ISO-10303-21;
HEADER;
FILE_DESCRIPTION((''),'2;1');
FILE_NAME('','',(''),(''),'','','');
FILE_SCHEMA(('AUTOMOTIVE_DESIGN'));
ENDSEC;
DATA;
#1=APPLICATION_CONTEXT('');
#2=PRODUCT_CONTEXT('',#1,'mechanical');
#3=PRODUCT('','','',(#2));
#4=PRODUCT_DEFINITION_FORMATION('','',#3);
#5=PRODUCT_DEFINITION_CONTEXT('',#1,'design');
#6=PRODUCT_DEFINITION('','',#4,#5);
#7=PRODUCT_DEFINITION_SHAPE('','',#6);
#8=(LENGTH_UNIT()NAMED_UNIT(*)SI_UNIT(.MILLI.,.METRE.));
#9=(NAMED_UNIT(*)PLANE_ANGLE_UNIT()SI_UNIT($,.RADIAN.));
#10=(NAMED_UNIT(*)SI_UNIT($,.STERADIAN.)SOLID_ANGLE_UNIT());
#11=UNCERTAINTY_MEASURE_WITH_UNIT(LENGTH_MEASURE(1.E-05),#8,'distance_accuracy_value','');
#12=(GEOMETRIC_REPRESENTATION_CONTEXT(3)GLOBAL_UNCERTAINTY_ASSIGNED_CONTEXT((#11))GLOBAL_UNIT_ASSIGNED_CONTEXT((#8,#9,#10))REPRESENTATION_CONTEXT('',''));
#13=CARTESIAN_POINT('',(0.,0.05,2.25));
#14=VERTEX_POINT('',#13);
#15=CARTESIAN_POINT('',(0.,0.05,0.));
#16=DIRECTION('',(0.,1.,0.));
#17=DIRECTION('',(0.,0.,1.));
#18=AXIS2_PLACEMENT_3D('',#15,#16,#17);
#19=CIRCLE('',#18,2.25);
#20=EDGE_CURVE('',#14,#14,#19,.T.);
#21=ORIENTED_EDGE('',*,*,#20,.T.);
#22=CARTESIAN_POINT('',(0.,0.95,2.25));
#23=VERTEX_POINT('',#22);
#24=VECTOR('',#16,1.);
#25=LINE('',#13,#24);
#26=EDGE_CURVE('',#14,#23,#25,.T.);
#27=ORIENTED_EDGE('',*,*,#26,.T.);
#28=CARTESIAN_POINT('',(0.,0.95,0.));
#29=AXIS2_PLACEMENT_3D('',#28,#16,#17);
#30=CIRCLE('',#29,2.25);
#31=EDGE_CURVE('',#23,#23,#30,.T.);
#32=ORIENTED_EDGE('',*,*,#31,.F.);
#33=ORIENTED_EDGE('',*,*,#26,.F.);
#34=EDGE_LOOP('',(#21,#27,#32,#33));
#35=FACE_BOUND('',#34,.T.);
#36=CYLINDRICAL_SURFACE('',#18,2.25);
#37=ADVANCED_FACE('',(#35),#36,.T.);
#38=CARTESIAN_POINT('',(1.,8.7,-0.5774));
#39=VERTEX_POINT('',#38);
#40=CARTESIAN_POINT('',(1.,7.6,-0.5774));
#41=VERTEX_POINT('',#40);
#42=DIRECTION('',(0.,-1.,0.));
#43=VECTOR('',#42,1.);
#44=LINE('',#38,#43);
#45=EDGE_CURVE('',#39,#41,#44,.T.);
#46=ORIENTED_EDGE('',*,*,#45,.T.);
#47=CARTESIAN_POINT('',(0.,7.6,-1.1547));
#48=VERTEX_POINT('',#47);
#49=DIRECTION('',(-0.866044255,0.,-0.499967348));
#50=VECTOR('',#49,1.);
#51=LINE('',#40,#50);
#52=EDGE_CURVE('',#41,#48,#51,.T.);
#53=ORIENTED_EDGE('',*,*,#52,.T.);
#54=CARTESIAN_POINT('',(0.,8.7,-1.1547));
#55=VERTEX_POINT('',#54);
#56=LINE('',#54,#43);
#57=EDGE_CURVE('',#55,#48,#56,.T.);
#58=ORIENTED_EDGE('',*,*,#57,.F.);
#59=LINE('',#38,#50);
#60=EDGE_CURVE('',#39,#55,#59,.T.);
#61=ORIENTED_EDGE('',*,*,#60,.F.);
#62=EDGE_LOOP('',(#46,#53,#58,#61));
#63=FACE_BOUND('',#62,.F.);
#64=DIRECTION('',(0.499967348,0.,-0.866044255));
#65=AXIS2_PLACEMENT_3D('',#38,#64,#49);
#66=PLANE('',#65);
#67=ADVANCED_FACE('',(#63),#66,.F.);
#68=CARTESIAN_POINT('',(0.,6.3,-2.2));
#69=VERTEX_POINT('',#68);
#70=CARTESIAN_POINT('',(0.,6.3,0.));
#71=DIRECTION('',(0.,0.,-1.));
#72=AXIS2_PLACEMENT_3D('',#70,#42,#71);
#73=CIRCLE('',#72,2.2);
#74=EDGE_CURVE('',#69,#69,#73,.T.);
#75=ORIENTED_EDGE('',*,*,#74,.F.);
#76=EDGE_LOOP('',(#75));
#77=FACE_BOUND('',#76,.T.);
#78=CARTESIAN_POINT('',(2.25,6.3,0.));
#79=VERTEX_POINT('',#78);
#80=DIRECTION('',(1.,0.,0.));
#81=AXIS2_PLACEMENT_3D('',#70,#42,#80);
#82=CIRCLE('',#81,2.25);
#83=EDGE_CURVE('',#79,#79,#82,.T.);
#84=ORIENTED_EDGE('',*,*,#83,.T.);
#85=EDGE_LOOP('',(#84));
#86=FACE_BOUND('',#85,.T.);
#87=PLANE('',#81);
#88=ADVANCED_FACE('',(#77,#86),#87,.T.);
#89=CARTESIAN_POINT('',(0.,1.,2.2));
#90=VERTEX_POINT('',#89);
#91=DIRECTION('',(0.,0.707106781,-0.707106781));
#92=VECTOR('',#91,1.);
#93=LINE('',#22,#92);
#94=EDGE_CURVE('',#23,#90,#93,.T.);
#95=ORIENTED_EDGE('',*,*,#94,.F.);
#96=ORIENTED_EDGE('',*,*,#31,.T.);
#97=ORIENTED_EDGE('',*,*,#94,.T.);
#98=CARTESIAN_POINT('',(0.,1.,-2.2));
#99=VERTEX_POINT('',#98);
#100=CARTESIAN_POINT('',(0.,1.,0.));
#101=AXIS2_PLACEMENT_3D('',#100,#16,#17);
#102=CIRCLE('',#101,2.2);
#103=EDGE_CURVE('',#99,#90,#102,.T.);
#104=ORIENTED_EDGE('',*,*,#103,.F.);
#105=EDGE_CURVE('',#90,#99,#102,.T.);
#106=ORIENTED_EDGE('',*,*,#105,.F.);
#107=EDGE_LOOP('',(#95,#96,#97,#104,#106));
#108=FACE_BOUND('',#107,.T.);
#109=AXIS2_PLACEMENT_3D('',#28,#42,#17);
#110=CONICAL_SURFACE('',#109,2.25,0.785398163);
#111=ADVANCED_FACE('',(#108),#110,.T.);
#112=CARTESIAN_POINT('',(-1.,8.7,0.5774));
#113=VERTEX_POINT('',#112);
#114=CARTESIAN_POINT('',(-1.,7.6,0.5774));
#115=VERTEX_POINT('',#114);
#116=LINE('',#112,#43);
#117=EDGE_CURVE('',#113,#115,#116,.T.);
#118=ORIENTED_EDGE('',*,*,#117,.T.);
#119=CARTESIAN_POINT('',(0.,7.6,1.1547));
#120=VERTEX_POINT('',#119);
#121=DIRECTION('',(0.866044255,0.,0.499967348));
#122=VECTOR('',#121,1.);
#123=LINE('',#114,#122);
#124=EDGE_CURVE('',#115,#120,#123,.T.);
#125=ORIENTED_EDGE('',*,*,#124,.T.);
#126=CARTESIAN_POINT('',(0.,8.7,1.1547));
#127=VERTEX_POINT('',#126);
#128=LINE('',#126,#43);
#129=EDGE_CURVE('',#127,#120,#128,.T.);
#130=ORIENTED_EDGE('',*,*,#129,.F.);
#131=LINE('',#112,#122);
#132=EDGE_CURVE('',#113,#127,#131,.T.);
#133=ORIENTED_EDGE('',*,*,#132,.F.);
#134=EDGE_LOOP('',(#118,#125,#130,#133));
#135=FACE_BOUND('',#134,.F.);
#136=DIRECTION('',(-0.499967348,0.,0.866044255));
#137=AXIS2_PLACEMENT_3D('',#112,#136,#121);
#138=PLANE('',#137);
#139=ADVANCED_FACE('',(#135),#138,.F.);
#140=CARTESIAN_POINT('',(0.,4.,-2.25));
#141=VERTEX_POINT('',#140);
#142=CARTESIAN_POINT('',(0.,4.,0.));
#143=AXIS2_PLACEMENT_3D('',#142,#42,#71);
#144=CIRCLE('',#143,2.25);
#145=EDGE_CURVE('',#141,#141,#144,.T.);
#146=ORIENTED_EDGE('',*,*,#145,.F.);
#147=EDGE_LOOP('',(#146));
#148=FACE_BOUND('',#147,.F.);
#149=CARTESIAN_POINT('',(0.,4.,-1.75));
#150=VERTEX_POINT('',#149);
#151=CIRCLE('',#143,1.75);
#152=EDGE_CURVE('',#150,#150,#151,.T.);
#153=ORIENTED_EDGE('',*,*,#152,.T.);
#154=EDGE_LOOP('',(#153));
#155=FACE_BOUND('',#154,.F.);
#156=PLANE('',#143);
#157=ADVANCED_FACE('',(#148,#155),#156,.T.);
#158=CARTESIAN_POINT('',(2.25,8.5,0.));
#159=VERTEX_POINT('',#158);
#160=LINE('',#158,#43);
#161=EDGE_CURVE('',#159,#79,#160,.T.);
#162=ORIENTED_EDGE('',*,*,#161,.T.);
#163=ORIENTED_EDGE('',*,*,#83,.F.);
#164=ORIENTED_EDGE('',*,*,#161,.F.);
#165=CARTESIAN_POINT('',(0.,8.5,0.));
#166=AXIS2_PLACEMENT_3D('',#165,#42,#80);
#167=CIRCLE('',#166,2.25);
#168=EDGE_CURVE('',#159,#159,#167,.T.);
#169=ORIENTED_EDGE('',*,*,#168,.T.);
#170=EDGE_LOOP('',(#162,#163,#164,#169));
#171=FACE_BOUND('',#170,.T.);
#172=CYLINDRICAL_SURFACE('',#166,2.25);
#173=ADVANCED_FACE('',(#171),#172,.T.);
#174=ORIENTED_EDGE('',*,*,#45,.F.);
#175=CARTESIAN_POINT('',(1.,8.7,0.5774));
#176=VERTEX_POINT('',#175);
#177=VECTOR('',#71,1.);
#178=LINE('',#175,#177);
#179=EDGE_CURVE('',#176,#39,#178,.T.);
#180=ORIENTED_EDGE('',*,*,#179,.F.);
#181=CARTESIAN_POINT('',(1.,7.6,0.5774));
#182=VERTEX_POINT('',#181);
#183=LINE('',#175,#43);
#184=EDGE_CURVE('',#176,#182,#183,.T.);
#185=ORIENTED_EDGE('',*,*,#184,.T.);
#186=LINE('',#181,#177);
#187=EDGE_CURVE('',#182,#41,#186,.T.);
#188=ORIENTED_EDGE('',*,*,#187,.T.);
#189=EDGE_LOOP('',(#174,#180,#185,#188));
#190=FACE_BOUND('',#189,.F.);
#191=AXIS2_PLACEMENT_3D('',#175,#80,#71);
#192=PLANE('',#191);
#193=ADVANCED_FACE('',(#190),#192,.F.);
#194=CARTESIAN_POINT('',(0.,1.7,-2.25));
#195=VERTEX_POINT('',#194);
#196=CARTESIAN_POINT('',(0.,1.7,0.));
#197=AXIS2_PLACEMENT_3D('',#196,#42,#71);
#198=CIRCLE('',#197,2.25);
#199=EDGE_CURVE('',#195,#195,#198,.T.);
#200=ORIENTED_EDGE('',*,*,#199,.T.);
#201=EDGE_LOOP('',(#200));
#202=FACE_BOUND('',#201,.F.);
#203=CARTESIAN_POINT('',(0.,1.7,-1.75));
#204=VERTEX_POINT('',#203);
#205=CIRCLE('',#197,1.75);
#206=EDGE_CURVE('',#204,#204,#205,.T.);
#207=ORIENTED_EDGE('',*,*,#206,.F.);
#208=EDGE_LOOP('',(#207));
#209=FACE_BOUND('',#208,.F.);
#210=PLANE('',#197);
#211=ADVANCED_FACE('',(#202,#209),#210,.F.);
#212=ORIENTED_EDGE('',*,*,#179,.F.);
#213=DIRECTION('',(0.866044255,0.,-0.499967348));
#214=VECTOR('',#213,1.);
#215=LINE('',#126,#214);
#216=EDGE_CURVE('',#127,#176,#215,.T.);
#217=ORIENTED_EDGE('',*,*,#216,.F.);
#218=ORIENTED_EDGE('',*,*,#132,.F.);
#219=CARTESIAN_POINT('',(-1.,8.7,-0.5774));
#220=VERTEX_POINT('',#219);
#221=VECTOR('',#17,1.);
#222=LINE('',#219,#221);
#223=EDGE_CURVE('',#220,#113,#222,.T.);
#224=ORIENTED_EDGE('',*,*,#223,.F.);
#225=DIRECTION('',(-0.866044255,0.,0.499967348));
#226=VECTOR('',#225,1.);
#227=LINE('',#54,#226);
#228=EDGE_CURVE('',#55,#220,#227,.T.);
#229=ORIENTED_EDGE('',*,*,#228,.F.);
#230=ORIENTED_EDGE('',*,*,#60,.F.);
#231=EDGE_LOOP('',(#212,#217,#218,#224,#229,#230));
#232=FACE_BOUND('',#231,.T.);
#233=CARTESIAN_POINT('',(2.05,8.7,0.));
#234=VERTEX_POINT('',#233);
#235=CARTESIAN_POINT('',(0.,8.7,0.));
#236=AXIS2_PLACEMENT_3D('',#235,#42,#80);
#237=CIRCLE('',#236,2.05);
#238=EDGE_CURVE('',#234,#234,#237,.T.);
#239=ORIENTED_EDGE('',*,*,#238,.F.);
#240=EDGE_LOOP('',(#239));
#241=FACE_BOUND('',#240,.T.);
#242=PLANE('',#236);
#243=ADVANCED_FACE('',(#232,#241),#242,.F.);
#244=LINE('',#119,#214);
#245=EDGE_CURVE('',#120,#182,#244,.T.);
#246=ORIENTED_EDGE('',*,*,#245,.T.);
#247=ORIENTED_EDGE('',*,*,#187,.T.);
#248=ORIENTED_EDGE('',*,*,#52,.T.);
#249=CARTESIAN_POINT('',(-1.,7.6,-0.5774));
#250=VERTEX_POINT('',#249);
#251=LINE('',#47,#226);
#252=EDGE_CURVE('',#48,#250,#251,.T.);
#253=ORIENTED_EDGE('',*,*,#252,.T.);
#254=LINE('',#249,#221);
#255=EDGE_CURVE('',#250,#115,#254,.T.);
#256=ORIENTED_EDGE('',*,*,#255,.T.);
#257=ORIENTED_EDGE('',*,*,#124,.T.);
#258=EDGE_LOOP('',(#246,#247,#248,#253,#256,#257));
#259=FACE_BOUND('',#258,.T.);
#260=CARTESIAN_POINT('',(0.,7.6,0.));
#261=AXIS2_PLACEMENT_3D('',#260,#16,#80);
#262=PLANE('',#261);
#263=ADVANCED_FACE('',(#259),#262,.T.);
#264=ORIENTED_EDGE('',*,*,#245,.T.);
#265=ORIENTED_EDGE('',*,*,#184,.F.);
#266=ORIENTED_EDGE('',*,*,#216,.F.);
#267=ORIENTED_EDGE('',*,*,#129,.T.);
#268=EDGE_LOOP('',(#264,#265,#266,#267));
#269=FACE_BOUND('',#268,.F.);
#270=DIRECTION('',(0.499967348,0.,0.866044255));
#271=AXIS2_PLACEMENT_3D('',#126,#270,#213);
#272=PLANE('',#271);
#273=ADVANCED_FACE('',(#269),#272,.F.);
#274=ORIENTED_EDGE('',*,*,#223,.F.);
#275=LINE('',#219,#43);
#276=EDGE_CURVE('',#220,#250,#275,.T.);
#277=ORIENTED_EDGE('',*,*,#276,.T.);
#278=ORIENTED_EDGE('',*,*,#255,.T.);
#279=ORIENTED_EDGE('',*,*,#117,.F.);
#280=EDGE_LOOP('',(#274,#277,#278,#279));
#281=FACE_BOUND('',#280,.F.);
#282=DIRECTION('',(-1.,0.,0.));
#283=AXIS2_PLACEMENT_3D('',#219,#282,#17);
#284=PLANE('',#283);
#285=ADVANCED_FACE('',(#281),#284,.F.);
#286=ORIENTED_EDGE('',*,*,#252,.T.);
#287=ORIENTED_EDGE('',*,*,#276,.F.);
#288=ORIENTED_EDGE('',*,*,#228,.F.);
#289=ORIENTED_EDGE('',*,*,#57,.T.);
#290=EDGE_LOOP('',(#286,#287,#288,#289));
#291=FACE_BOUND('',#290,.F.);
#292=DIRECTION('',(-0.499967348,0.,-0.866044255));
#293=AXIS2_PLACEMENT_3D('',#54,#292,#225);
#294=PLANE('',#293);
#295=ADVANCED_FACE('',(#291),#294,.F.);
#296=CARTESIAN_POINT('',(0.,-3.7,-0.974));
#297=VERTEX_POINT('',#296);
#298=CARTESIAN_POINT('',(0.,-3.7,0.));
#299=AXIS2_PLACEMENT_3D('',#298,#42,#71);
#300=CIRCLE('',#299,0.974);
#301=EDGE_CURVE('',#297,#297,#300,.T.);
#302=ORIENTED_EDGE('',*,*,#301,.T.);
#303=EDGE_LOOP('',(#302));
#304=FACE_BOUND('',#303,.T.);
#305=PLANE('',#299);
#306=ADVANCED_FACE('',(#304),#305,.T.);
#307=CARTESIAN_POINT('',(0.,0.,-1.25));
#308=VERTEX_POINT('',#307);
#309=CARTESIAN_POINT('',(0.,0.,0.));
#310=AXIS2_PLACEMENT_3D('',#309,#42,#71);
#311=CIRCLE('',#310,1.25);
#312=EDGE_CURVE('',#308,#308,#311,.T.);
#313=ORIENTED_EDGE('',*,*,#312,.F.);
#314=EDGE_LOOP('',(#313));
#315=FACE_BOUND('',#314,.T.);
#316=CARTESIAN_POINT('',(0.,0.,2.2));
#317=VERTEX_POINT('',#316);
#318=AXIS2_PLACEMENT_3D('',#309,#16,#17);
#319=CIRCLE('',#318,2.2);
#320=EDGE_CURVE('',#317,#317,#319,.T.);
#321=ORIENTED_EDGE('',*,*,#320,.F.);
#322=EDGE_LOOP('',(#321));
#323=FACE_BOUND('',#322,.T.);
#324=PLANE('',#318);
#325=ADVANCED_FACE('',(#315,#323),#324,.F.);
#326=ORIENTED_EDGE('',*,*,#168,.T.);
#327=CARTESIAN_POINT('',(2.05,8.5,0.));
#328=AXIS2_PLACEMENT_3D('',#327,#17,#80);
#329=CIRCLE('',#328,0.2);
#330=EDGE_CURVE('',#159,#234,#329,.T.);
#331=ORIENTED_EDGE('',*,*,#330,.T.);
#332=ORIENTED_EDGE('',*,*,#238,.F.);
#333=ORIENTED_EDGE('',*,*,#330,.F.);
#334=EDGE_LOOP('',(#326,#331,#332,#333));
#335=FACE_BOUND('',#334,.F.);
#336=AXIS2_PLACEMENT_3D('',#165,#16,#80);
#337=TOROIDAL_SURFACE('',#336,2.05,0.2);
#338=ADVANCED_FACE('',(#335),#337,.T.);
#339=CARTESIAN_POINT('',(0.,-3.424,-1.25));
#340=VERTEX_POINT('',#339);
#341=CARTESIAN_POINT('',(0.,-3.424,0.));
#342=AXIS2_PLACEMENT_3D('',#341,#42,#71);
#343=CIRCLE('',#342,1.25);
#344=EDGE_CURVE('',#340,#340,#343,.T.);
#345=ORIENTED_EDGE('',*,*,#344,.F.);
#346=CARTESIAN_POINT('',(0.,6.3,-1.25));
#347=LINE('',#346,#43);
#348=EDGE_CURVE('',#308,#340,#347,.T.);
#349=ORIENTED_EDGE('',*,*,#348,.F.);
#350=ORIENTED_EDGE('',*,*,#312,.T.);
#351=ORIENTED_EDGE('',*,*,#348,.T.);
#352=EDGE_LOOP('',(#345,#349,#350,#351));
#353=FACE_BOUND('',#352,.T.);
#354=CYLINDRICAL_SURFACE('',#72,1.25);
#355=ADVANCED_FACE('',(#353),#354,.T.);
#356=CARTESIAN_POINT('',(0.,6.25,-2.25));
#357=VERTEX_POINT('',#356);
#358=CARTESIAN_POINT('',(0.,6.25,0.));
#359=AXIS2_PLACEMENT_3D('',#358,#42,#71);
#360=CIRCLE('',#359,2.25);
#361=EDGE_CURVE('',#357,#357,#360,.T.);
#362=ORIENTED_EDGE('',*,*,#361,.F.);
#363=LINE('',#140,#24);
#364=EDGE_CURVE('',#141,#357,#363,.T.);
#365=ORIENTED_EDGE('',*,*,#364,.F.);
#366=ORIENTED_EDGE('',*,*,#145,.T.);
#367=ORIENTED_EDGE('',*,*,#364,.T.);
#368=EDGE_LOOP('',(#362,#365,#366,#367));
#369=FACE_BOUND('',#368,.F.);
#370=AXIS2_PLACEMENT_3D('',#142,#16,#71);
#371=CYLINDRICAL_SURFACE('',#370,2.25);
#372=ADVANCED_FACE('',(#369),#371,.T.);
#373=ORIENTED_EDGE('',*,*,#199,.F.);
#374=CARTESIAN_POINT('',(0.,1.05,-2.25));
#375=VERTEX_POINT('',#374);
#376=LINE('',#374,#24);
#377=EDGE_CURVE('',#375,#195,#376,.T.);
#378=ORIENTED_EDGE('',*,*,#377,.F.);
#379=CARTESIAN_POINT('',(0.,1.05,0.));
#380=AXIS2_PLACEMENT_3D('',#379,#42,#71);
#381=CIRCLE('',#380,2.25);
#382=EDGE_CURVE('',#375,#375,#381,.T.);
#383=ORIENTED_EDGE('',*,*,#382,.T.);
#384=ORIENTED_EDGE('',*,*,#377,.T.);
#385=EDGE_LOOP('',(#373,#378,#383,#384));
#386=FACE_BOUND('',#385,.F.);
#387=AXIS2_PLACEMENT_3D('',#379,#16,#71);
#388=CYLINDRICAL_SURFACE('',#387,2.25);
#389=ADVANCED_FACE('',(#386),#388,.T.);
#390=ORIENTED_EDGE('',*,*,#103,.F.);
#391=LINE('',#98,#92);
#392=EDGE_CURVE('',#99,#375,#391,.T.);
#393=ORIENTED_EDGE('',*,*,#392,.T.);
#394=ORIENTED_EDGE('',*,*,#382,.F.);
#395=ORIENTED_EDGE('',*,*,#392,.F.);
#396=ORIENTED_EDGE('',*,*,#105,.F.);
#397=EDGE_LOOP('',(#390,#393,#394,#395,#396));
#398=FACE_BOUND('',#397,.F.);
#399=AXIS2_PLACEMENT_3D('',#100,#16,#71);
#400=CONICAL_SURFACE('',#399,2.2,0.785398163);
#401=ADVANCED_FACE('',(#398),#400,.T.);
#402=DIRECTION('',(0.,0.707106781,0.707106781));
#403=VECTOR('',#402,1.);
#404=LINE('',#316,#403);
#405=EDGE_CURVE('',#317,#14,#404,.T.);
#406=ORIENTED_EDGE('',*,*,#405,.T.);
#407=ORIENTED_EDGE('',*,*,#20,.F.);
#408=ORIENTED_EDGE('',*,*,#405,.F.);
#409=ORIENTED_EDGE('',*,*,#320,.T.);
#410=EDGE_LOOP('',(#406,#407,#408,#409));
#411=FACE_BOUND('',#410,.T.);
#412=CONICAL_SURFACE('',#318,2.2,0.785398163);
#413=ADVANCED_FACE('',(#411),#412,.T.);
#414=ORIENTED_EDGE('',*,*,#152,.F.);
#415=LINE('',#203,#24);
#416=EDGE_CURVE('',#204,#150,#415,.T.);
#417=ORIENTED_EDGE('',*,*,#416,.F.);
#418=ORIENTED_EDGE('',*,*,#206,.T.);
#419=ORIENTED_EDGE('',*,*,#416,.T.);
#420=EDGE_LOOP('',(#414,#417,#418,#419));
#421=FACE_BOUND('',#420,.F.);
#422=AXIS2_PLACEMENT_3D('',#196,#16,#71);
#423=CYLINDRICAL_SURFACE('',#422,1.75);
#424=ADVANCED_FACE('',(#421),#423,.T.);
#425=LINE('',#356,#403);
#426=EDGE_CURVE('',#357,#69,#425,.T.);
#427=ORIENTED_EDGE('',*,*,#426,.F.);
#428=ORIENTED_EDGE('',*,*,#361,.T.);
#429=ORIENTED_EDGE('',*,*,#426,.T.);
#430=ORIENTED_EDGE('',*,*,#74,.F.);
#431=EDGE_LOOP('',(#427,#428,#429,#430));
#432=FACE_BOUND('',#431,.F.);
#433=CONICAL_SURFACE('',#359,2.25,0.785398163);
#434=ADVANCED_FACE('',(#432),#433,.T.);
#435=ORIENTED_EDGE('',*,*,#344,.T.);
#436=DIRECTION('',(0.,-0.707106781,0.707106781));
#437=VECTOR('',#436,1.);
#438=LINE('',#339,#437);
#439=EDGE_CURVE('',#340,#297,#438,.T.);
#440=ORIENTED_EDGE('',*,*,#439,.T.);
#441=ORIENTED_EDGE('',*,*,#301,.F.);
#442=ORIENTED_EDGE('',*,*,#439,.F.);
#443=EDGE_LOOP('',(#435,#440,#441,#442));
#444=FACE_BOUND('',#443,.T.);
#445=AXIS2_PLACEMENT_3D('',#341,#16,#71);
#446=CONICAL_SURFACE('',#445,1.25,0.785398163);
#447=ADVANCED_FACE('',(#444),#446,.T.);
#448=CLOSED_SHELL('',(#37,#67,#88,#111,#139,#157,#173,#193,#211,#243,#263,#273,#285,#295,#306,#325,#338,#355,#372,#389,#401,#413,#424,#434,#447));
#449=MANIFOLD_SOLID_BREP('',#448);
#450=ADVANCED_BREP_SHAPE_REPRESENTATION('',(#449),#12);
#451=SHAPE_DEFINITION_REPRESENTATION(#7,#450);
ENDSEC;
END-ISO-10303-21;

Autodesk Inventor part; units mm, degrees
sketch "Sketch_3" plane through (0, 0, 0) normal (1, 0, 0) x (0, 1, 0)
  line L0 (1, 0) -> (0, 0)
  line L1 (0, 0) -> (0, 2.2)
  line L2 (0, 2.2) -> (0.05, 2.25)
  line L3 (0.05, 2.25) -> (0.95, 2.25)
  line L4 (0.95, 2.25) -> (1, 2.2)
  line L5 (1, 2.2) -> (1, 0)
  line L6 (1, 0) -> (0, 0)
revolve "Revolution1" add sketch "Sketch_3" angle 360 about axis through (0, 1, 0) along (0, 1, 0)
sketch "Sketch_9" plane through (0, 0, 0) normal (1, 0, 0) x (0, 1, 0)
  line L0 (-100, 0) -> (100, 0)
  line L1 (6.3, -1.25) -> (1, -1.25)
  line L2 (1, -1.25) -> (1, -2.2)
  line L3 (1, -2.2) -> (1.05, -2.25)
  line L4 (1.05, -2.25) -> (1.7, -2.25)
  line L5 (1.7, -2.25) -> (1.7, -1.75)
  line L6 (1.7, -1.75) -> (4, -1.75)
  line L7 (4, -1.75) -> (4, -2.25)
  line L8 (4, -2.25) -> (6.25, -2.25)
  line L9 (6.25, -2.25) -> (6.3, -2.2)
  line L10 (6.3, -2.2) -> (6.3, -1.25)
revolve "Revolution2" add sketch "Sketch_9" angle 360 about axis through (0, -100, 0) along (0, -1, 0)
sketch "Sketch_6" plane through (0, 0, 0) normal (0, 0, 1) x (1, 0, 0)
  line L0 (0, -50) -> (0, 50)
  line L1 (0, 8.7) -> (2.05, 8.7)
  arc A0 (2.25, 8.5) -> (2.05, 8.7) centre (2.05, 8.5) ccw
  line L2 (2.25, 8.5) -> (2.25, 6.3)
  line L3 (2.25, 6.3) -> (0, 6.3)
  line L4 (0, 6.3) -> (0, 8.7)
revolve "Revolution3" add sketch "Sketch_6" angle 360 about axis through (0, -50, 0) along (0, -1, 0)
sketch "Sketch_7" plane through (0, 8.7, 0) normal (0, 1, 0) x (1, 0, 0)
  line L0 (-1, -0.5774) -> (0, -1.1547)
  line L1 (0, -1.1547) -> (1, -0.5774)
  line L2 (1, -0.5774) -> (1, 0.5774)
  line L3 (1, 0.5774) -> (0, 1.1547)
  line L4 (0, 1.1547) -> (-1, 0.5774)
  line L5 (-1, 0.5774) -> (-1, -0.5774)
extrude "Extrusion1" cut sketch "Sketch_7" against normal blind 1.1
sketch "Sketch_10" plane through (0, 0, 0) normal (1, 0, 0) x (0, 1, 0)
  line L0 (-3.7, 0) -> (6.3, 0)
  line L1 (6.3, 0) -> (6.3, -1.25)
  line L2 (6.3, -1.25) -> (-3.424, -1.25)
  line L3 (-3.424, -1.25) -> (-3.7, -0.974)
  line L4 (-3.7, -0.974) -> (-3.7, 0)
  line L5 (-3.7, 0) -> (6.3, 0)
revolve "Revolution4" add sketch "Sketch_10" angle 360 about axis through (0, -3.7, 0) along (0, -1, 0)
thread "Thread1" size "M2.5x0.45" class "6g" standard "ISO Metric profile" length 6.7723
ref_plane "AS_XY" through (0, 8.7, 0) normal (0, 1, 0) x (1, 0, 0)
ref_plane "AS_YZ" through (0, 8.7, 0) normal (1, 0, 0) x (0, 0, -1)
ref_plane "AS_ZX" through (0, 8.7, 0) normal (0, 0, -1) x (0, 1, 0)
ref_plane "hul_XY" through (0, 0, 0) normal (0, 1, 0) x (1, 0, 0)
ref_plane "hul_YZ" through (0, 0, 0) normal (1, 0, 0) x (0, 0, -1)
ref_plane "hul_ZX" through (0, 0, 0) normal (0, 0, -1) x (0, 1, 0)
ref_plane "s01_XY" through (0, 5.3, 0) normal (0, 1, 0) x (1, 0, 0)
ref_plane "s01_YZ" through (0, 5.3, 0) normal (1, 0, 0) x (0, 0, -1)
ref_plane "s01_ZX" through (0, 5.3, 0) normal (0, 0, -1) x (0, 1, 0)
properties part number "SCHUNK-5509536 Huelse MPG 40"
